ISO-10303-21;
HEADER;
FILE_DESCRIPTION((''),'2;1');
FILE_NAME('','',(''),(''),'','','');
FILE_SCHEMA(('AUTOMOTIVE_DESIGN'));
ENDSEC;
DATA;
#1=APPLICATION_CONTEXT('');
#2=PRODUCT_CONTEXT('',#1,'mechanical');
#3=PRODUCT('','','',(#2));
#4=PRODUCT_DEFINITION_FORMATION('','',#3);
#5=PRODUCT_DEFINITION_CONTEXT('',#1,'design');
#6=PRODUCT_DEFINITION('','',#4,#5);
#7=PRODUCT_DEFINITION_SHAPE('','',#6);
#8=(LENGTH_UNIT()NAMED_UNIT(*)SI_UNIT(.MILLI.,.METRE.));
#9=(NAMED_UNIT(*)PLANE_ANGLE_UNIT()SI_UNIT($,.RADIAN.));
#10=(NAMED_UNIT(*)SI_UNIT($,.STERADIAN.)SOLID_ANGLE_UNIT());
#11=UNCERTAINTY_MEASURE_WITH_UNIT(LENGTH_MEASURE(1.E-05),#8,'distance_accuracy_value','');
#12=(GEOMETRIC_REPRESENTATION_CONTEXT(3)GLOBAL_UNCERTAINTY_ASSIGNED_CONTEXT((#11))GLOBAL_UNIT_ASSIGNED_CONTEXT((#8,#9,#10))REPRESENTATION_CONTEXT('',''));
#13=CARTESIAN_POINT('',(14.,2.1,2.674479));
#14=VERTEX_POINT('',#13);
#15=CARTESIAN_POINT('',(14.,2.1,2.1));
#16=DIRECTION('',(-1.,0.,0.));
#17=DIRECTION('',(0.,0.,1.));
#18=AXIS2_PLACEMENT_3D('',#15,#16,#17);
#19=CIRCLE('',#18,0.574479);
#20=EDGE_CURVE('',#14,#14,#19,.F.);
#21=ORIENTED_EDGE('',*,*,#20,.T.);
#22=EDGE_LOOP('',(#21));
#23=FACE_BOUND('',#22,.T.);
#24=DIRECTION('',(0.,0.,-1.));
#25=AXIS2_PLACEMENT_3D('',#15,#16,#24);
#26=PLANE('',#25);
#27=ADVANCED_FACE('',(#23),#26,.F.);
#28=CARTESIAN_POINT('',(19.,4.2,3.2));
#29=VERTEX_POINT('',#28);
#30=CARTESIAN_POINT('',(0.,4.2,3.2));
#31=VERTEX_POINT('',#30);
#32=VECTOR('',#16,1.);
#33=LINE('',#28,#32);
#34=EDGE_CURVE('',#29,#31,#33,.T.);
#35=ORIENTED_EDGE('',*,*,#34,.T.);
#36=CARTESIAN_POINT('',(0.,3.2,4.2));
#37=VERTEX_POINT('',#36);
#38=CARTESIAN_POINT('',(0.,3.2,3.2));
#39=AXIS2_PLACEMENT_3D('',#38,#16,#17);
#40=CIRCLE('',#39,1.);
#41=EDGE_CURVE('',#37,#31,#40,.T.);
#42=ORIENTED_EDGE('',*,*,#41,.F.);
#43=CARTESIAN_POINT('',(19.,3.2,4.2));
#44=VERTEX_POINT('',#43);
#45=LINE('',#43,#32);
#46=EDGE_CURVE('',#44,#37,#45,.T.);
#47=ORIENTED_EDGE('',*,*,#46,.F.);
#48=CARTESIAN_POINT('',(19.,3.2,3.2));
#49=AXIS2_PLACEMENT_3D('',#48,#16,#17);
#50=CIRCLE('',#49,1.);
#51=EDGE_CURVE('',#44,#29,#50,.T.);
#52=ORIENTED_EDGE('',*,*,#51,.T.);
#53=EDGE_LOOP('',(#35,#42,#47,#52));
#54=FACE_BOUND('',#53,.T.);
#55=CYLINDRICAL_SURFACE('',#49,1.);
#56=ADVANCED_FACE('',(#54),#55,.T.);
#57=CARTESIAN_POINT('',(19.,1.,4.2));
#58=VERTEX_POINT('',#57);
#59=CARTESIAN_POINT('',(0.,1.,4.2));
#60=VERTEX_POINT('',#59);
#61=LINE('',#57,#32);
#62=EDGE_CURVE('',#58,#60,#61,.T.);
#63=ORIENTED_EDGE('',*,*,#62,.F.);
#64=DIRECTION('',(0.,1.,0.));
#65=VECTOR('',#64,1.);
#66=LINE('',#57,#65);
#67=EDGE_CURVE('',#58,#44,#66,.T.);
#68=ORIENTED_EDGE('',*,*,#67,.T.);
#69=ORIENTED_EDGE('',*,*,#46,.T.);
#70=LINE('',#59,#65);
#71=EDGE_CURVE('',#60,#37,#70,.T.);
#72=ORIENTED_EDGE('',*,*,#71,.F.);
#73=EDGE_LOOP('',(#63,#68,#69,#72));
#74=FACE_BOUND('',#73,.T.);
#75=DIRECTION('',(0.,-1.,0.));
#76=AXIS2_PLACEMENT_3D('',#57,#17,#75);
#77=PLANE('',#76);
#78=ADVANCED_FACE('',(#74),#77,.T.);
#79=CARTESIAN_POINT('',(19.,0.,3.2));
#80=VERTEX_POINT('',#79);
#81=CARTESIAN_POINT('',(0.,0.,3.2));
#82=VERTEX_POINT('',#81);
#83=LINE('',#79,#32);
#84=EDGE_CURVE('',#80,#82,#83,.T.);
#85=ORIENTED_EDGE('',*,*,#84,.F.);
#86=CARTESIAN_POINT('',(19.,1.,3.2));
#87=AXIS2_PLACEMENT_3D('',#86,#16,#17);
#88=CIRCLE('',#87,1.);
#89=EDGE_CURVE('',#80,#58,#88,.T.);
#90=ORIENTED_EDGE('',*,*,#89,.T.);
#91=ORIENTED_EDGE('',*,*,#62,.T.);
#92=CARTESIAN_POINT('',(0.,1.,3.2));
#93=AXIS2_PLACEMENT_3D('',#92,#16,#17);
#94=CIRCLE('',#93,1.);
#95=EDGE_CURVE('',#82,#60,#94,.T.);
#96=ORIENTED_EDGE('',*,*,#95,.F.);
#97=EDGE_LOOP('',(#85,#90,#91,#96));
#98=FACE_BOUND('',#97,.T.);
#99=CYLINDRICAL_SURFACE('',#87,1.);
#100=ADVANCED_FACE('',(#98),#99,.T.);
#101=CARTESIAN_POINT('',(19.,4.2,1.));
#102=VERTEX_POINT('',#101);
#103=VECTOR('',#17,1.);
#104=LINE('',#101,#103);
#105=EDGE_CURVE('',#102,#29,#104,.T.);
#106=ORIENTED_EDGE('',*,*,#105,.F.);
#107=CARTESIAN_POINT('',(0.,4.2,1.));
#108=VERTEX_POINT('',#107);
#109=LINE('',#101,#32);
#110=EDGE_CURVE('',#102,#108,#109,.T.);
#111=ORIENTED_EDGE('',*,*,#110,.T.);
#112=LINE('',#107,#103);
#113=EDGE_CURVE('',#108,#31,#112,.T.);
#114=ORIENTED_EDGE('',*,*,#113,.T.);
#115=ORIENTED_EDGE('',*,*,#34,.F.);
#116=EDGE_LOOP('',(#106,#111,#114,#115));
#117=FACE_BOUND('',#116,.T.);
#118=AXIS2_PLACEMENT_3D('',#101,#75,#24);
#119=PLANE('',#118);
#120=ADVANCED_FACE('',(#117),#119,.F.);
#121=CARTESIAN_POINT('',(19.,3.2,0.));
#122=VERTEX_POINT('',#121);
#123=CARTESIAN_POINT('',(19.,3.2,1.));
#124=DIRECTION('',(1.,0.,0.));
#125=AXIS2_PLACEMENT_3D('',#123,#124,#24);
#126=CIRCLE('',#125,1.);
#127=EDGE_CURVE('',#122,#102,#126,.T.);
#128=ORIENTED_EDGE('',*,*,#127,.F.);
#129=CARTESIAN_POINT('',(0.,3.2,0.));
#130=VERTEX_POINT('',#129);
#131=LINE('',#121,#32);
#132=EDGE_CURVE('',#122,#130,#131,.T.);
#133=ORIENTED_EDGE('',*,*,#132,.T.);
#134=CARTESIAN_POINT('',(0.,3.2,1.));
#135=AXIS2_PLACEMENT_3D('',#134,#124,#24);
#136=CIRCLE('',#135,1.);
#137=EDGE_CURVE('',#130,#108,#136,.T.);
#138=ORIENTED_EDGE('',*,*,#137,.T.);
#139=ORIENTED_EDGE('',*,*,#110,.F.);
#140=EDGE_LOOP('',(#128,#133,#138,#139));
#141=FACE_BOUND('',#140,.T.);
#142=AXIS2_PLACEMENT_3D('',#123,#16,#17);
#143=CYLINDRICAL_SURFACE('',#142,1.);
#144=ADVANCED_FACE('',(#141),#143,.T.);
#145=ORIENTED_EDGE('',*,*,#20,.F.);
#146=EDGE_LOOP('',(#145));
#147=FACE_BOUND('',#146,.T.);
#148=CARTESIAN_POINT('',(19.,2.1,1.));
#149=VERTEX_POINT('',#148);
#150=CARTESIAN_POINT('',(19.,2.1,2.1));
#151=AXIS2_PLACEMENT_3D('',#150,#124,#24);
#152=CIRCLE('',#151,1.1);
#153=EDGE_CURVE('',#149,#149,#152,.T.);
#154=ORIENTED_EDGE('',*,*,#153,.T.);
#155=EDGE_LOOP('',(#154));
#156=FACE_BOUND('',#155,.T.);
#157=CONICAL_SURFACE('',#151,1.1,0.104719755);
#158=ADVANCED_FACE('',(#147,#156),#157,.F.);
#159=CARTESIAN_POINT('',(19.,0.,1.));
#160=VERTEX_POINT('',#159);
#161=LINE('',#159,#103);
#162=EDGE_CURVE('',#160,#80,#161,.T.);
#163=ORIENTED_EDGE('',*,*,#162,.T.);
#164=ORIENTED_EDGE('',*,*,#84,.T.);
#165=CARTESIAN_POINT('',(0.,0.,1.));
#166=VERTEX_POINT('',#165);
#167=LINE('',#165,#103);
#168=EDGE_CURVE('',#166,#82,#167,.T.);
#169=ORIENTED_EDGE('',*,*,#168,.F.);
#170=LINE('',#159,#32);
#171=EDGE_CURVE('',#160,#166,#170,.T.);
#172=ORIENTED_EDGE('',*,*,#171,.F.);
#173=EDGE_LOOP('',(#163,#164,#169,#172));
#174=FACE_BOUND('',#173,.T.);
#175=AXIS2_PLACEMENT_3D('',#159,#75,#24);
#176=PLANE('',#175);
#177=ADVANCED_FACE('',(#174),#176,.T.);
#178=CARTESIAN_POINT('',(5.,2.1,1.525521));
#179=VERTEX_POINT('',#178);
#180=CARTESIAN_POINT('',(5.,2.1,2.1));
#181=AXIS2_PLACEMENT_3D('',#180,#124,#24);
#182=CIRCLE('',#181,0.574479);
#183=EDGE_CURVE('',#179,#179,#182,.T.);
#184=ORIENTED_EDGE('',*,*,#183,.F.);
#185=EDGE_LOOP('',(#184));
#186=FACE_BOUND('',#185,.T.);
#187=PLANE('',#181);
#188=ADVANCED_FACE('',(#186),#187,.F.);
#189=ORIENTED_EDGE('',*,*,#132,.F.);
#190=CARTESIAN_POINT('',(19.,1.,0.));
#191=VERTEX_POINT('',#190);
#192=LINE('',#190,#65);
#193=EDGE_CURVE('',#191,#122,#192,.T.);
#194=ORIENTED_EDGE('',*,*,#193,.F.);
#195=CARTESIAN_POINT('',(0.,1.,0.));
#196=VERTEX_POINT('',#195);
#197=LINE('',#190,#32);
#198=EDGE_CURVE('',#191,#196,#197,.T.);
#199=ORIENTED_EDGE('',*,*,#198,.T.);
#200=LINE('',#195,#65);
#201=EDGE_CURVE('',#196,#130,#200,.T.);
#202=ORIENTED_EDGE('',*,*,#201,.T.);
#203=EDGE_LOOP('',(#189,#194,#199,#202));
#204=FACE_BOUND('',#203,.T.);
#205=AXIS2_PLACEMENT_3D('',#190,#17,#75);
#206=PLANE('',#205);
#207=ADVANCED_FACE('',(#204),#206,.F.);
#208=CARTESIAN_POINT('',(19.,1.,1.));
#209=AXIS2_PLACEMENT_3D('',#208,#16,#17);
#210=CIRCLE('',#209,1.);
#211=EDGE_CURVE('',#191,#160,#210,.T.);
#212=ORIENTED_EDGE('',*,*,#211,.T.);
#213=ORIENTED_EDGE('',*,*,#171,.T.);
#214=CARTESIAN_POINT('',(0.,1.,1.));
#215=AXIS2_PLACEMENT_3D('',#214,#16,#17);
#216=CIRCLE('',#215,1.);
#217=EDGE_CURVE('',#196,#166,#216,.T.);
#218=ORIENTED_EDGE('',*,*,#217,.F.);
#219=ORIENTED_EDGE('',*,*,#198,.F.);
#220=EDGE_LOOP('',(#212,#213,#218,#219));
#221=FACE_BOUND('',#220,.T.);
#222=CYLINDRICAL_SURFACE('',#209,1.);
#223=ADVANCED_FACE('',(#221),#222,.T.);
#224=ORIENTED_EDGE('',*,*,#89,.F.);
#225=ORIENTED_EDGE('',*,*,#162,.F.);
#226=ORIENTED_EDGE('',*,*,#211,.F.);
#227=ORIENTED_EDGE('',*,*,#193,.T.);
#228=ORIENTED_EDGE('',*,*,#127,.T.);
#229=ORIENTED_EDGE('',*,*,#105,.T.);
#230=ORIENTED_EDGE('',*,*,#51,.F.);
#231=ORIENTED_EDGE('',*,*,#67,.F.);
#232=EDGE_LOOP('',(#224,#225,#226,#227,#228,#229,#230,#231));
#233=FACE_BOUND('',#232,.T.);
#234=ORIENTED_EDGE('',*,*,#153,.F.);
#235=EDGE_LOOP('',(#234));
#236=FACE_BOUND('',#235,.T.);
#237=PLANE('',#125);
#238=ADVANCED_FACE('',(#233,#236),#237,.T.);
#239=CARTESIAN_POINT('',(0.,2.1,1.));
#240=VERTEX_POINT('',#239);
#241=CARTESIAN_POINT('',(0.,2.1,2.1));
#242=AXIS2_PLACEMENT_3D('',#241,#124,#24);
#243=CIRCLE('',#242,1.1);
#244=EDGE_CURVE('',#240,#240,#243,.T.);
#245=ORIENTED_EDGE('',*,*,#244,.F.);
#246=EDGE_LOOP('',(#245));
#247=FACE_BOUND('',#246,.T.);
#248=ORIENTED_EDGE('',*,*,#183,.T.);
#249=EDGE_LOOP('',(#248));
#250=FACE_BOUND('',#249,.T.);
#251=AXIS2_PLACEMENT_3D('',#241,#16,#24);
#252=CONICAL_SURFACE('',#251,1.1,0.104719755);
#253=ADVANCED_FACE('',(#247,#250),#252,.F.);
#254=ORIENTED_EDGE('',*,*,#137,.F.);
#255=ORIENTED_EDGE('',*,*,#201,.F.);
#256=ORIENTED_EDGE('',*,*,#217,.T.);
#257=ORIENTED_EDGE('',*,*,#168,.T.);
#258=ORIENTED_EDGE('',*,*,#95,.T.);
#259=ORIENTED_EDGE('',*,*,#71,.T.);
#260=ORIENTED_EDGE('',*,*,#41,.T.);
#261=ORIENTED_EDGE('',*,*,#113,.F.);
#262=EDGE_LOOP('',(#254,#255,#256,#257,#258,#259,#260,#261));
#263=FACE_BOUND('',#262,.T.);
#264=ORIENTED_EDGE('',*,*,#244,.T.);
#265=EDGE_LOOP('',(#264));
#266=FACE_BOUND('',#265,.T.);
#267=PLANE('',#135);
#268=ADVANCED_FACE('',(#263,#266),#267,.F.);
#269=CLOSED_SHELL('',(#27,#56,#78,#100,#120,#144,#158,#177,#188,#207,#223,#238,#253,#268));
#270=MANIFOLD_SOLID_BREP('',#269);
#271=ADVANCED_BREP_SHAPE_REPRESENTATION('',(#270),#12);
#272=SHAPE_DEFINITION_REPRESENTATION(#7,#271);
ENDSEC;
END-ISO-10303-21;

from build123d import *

# Parameters (mm, degrees)
BOSS_EXTRUDE1_DEPTH = 19
SKETCH1_3_R         = 1.1
CUT_EXTRUDE1_DEPTH  = 5
CUT_EXTRUDE1_TAPER  = 6


with BuildPart() as part:
    # Sketch1 → Boss-Extrude1 (new body)
    with BuildSketch(Plane.YZ):
        with BuildLine():
            Line((1, 0), (3.2, 0))
            ThreePointArc((3.2, 0), (3.907106781, 0.292893219), (4.2, 1))
            Line((4.2, 1), (4.2, 3.2))
            ThreePointArc((4.2, 3.2), (3.907106781, 3.907106781), (3.2, 4.2))
            Line((3.2, 4.2), (1, 4.2))
            ThreePointArc((1, 4.2), (0.292893219, 3.907106781), (0, 3.2))
            Line((0, 3.2), (0, 1))
            ThreePointArc((0, 1), (0.292893219, 0.292893219), (1, 0))
        make_face()
    extrude(amount=BOSS_EXTRUDE1_DEPTH)

    # Sketch1<3> → Cut-Extrude1 (cut)
    with BuildSketch(Plane.YZ):
        with Locations((2.1, 2.1)):
            Circle(SKETCH1_3_R)
    cut_extrude1 = extrude(amount=CUT_EXTRUDE1_DEPTH, taper=CUT_EXTRUDE1_TAPER, mode=Mode.SUBTRACT)

    # Mirror1: Cut-Extrude1 across plane
    add(cut_extrude1.mirror(Plane(origin=(9.5, 0, 0), x_dir=(0, 0, 1), z_dir=(1, 0, 0))), mode=Mode.SUBTRACT)


solid = part.part
